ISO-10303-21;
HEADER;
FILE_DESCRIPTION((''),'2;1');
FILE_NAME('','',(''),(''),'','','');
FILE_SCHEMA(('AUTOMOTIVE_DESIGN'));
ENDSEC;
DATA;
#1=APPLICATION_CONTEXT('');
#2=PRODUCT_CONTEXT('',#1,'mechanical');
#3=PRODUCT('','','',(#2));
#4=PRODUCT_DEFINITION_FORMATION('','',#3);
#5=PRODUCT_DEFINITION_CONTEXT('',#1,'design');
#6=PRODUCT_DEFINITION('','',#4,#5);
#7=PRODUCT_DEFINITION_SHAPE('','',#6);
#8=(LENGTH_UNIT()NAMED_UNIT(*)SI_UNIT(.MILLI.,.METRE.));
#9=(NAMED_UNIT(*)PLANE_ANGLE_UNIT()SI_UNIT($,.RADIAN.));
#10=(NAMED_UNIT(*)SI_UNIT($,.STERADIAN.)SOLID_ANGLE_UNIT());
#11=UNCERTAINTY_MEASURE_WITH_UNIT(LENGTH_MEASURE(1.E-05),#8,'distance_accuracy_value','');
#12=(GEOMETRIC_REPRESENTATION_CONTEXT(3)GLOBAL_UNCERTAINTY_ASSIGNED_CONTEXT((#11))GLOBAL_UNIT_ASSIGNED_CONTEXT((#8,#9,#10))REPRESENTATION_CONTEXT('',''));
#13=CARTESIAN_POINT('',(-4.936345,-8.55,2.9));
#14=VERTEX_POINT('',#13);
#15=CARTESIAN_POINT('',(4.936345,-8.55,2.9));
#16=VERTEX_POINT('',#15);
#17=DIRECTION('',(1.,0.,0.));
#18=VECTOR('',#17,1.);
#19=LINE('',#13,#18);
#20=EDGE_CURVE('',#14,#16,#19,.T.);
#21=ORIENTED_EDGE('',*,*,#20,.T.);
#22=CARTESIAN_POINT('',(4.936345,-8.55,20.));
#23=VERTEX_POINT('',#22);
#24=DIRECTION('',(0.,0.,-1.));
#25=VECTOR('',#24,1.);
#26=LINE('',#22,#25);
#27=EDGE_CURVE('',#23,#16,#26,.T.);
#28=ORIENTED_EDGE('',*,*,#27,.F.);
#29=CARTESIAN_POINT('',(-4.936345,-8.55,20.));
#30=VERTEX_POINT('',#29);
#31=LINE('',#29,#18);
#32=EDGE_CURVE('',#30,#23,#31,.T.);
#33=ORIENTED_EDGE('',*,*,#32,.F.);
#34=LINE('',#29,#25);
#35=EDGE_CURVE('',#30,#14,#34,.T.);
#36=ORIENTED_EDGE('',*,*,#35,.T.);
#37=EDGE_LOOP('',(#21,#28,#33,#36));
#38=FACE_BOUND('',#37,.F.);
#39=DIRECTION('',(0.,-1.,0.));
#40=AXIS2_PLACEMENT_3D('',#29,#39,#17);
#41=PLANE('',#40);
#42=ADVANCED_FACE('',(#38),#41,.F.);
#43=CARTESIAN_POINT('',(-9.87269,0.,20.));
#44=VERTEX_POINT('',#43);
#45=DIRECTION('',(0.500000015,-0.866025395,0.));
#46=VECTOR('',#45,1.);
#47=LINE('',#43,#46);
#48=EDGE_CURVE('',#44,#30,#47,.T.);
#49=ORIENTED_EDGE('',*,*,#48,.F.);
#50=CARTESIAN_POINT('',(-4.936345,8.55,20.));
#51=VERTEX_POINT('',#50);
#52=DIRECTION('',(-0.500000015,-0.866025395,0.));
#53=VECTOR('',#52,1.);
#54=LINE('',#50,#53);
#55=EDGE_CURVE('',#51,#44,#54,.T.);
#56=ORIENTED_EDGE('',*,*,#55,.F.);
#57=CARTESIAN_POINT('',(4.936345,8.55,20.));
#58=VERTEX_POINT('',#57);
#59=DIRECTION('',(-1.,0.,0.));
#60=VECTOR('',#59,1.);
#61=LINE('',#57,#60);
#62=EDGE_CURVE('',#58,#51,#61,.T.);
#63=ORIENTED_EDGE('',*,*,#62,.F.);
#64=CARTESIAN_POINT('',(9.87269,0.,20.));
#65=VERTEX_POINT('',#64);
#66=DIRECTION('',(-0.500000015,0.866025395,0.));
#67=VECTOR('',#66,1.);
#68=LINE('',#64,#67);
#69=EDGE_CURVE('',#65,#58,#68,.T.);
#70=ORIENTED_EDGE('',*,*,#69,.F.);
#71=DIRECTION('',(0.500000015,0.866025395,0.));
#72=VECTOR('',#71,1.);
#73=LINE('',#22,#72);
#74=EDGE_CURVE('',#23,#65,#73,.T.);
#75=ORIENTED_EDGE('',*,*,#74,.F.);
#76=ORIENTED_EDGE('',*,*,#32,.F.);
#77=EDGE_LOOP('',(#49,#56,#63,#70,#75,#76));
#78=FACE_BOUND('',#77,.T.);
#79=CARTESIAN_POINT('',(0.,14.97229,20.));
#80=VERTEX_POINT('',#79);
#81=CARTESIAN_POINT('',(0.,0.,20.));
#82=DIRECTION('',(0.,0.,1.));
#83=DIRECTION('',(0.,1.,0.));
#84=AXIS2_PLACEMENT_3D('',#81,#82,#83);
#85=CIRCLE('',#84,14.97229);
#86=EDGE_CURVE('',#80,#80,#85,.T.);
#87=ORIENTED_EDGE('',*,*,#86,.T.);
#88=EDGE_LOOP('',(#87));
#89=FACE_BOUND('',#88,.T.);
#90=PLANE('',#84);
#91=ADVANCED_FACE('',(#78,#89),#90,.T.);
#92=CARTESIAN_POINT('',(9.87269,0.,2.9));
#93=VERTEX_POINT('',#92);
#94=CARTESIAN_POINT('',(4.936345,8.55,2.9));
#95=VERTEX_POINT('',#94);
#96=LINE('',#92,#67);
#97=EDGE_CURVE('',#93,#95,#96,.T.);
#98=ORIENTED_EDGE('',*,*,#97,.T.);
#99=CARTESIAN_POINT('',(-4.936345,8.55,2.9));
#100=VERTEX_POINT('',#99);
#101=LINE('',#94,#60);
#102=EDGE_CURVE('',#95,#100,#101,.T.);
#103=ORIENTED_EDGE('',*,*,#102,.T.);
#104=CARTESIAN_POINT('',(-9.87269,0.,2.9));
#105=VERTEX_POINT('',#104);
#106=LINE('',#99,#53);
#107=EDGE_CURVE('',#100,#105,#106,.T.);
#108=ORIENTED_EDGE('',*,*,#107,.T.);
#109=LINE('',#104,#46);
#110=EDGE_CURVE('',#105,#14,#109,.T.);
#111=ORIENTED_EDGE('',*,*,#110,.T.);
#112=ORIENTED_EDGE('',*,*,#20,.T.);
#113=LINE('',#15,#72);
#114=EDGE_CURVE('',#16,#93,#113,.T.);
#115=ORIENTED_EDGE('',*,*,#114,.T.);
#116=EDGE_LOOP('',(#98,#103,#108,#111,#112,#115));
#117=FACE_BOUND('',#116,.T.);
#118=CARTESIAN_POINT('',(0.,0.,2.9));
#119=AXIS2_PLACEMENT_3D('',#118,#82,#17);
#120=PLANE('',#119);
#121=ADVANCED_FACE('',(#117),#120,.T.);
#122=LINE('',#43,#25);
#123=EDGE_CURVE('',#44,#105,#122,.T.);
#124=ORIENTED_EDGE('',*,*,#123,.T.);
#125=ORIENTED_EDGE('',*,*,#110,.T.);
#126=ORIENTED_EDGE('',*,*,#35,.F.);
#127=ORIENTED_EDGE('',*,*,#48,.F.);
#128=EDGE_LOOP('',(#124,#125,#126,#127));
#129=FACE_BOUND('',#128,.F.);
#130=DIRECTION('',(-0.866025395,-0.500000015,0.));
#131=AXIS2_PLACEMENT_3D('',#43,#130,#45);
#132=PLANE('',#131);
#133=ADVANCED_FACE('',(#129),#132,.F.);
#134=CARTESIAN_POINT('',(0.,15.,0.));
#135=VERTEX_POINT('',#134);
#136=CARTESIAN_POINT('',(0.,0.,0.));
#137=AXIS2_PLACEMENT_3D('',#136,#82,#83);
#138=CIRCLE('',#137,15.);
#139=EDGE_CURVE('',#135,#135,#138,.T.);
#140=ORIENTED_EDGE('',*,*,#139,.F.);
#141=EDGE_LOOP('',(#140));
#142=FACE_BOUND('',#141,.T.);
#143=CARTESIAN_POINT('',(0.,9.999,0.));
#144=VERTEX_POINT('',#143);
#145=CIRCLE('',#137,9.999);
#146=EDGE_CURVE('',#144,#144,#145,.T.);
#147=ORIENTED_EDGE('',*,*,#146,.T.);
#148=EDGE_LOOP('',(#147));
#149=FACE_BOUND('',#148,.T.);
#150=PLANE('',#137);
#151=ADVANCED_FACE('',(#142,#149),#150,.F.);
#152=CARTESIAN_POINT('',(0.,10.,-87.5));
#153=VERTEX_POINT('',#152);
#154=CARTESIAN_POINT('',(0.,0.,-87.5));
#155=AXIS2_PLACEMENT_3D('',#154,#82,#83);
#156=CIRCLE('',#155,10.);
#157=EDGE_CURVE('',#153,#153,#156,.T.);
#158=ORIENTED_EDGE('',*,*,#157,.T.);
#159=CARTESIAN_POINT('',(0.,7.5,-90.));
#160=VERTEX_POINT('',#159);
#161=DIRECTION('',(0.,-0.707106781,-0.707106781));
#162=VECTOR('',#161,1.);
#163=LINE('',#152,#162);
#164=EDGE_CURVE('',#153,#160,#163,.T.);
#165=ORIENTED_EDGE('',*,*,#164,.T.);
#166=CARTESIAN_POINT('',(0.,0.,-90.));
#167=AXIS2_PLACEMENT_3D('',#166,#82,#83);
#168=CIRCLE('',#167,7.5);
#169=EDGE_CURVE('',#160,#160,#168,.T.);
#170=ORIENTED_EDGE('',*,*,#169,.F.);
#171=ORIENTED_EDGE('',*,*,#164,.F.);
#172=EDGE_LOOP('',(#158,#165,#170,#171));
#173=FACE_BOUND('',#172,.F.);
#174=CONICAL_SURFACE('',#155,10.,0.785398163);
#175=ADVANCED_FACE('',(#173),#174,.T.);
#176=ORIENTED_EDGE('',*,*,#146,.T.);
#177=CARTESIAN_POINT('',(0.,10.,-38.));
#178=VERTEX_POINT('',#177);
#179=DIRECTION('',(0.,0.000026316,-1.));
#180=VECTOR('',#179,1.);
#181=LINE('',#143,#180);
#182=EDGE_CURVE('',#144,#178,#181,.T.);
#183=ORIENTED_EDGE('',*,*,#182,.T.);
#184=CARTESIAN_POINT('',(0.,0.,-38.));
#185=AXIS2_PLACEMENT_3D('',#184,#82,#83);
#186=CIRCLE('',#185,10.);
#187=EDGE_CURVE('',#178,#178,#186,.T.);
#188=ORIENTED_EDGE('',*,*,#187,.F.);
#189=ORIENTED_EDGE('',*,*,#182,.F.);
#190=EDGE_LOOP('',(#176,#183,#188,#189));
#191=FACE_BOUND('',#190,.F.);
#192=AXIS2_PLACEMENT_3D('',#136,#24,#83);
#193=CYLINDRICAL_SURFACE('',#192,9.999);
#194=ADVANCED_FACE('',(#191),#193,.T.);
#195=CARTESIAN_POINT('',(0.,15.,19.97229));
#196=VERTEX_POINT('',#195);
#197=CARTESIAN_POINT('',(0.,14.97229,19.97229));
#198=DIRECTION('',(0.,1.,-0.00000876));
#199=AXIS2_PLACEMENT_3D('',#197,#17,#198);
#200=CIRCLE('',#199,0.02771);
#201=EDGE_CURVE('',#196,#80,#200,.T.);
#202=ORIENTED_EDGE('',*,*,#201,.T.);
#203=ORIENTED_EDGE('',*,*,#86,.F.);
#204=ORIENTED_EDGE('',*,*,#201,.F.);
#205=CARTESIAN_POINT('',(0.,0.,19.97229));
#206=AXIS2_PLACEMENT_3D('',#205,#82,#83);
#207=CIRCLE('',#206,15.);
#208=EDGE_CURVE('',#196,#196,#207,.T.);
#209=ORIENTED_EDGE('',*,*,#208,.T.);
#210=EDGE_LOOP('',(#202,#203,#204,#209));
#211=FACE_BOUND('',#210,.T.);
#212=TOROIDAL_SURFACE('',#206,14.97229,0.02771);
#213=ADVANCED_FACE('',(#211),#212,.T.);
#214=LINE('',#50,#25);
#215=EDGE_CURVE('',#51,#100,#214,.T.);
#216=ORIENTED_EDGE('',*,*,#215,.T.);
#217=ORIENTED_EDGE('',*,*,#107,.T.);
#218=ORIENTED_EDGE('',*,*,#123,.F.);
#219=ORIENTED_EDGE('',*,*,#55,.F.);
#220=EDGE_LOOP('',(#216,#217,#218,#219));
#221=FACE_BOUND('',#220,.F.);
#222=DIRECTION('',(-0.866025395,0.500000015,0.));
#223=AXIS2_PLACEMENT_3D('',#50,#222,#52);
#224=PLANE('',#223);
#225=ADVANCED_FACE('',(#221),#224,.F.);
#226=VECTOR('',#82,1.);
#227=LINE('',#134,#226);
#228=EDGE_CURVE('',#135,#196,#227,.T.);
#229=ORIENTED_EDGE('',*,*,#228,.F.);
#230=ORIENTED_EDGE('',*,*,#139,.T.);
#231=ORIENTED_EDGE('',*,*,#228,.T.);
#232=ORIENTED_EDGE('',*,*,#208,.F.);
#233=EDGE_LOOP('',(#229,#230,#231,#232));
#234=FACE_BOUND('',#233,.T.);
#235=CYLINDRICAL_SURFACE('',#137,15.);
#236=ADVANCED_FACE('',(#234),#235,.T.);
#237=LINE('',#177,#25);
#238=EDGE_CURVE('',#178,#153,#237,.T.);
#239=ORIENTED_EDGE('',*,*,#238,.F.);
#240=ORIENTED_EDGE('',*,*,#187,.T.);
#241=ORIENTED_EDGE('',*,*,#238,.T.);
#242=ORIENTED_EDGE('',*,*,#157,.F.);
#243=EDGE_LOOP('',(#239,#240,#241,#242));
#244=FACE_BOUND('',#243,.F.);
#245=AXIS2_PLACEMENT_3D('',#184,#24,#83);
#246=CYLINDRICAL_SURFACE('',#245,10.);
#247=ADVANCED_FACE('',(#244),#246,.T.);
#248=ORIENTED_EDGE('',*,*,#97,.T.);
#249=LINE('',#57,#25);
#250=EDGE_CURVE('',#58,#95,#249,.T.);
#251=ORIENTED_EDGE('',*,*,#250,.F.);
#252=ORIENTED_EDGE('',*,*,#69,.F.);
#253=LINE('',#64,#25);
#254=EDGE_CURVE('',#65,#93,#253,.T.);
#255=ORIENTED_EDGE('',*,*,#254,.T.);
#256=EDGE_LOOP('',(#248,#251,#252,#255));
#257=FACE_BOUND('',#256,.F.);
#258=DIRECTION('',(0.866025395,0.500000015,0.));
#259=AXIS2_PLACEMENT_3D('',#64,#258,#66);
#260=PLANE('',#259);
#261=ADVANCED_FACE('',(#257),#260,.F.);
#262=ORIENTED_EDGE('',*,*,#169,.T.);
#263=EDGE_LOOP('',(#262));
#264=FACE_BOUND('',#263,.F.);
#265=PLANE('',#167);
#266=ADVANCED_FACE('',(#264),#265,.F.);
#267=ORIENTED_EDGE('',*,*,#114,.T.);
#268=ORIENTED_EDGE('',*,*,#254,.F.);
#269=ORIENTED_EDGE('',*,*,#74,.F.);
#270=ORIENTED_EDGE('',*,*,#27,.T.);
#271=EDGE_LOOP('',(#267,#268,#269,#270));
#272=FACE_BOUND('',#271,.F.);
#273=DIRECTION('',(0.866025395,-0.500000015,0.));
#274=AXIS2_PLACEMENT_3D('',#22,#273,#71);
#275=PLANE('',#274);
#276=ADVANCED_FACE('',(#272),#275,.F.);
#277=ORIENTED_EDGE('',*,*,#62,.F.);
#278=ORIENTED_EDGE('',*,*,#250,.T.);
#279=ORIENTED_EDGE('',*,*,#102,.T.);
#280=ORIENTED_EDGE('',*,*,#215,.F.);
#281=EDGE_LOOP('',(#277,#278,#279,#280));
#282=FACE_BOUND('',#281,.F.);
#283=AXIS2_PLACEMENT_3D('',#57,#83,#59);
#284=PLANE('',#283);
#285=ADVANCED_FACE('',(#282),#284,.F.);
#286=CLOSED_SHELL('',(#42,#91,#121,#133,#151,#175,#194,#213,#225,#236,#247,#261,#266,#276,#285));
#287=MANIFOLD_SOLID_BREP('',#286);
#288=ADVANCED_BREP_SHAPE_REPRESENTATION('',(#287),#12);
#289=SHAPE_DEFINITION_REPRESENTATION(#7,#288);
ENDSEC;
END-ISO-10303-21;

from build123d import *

# Parameters (mm, degrees)
POCKET_DEPTH = 17.1


with BuildPart() as part:
    # Sketch → Revolve (revolve)
    with BuildSketch(Plane.YZ):
        with BuildLine():
            Line((9.999, 0), (15, 0))
            Line((15, 0), (15, 19.97229))
            ThreePointArc((15, 19.97229), (14.991884, 19.991884), (14.97229, 20))
            Line((14.97229, 20), (0, 20))
            Line((0, -90), (0, 20))
            Line((7.5, -90), (0, -90))
            Line((10, -87.5), (7.5, -90))
            Line((10, -38), (10, -87.5))
            Line((9.999, 0), (10, -38))
        make_face()
    revolve(axis=Axis((0, 0, 0), (0, 0, 1)))

    # Sketch001 → Pocket (cut)
    with BuildSketch(Plane.XY.offset(20)):
        Polygon((9.87269, 0), (4.936345, 8.55), (-4.936345, 8.55), (-9.87269, 0), (-4.936345, -8.55), (4.936345, -8.55), align=None)
    extrude(amount=-POCKET_DEPTH, mode=Mode.SUBTRACT)


solid = part.part
